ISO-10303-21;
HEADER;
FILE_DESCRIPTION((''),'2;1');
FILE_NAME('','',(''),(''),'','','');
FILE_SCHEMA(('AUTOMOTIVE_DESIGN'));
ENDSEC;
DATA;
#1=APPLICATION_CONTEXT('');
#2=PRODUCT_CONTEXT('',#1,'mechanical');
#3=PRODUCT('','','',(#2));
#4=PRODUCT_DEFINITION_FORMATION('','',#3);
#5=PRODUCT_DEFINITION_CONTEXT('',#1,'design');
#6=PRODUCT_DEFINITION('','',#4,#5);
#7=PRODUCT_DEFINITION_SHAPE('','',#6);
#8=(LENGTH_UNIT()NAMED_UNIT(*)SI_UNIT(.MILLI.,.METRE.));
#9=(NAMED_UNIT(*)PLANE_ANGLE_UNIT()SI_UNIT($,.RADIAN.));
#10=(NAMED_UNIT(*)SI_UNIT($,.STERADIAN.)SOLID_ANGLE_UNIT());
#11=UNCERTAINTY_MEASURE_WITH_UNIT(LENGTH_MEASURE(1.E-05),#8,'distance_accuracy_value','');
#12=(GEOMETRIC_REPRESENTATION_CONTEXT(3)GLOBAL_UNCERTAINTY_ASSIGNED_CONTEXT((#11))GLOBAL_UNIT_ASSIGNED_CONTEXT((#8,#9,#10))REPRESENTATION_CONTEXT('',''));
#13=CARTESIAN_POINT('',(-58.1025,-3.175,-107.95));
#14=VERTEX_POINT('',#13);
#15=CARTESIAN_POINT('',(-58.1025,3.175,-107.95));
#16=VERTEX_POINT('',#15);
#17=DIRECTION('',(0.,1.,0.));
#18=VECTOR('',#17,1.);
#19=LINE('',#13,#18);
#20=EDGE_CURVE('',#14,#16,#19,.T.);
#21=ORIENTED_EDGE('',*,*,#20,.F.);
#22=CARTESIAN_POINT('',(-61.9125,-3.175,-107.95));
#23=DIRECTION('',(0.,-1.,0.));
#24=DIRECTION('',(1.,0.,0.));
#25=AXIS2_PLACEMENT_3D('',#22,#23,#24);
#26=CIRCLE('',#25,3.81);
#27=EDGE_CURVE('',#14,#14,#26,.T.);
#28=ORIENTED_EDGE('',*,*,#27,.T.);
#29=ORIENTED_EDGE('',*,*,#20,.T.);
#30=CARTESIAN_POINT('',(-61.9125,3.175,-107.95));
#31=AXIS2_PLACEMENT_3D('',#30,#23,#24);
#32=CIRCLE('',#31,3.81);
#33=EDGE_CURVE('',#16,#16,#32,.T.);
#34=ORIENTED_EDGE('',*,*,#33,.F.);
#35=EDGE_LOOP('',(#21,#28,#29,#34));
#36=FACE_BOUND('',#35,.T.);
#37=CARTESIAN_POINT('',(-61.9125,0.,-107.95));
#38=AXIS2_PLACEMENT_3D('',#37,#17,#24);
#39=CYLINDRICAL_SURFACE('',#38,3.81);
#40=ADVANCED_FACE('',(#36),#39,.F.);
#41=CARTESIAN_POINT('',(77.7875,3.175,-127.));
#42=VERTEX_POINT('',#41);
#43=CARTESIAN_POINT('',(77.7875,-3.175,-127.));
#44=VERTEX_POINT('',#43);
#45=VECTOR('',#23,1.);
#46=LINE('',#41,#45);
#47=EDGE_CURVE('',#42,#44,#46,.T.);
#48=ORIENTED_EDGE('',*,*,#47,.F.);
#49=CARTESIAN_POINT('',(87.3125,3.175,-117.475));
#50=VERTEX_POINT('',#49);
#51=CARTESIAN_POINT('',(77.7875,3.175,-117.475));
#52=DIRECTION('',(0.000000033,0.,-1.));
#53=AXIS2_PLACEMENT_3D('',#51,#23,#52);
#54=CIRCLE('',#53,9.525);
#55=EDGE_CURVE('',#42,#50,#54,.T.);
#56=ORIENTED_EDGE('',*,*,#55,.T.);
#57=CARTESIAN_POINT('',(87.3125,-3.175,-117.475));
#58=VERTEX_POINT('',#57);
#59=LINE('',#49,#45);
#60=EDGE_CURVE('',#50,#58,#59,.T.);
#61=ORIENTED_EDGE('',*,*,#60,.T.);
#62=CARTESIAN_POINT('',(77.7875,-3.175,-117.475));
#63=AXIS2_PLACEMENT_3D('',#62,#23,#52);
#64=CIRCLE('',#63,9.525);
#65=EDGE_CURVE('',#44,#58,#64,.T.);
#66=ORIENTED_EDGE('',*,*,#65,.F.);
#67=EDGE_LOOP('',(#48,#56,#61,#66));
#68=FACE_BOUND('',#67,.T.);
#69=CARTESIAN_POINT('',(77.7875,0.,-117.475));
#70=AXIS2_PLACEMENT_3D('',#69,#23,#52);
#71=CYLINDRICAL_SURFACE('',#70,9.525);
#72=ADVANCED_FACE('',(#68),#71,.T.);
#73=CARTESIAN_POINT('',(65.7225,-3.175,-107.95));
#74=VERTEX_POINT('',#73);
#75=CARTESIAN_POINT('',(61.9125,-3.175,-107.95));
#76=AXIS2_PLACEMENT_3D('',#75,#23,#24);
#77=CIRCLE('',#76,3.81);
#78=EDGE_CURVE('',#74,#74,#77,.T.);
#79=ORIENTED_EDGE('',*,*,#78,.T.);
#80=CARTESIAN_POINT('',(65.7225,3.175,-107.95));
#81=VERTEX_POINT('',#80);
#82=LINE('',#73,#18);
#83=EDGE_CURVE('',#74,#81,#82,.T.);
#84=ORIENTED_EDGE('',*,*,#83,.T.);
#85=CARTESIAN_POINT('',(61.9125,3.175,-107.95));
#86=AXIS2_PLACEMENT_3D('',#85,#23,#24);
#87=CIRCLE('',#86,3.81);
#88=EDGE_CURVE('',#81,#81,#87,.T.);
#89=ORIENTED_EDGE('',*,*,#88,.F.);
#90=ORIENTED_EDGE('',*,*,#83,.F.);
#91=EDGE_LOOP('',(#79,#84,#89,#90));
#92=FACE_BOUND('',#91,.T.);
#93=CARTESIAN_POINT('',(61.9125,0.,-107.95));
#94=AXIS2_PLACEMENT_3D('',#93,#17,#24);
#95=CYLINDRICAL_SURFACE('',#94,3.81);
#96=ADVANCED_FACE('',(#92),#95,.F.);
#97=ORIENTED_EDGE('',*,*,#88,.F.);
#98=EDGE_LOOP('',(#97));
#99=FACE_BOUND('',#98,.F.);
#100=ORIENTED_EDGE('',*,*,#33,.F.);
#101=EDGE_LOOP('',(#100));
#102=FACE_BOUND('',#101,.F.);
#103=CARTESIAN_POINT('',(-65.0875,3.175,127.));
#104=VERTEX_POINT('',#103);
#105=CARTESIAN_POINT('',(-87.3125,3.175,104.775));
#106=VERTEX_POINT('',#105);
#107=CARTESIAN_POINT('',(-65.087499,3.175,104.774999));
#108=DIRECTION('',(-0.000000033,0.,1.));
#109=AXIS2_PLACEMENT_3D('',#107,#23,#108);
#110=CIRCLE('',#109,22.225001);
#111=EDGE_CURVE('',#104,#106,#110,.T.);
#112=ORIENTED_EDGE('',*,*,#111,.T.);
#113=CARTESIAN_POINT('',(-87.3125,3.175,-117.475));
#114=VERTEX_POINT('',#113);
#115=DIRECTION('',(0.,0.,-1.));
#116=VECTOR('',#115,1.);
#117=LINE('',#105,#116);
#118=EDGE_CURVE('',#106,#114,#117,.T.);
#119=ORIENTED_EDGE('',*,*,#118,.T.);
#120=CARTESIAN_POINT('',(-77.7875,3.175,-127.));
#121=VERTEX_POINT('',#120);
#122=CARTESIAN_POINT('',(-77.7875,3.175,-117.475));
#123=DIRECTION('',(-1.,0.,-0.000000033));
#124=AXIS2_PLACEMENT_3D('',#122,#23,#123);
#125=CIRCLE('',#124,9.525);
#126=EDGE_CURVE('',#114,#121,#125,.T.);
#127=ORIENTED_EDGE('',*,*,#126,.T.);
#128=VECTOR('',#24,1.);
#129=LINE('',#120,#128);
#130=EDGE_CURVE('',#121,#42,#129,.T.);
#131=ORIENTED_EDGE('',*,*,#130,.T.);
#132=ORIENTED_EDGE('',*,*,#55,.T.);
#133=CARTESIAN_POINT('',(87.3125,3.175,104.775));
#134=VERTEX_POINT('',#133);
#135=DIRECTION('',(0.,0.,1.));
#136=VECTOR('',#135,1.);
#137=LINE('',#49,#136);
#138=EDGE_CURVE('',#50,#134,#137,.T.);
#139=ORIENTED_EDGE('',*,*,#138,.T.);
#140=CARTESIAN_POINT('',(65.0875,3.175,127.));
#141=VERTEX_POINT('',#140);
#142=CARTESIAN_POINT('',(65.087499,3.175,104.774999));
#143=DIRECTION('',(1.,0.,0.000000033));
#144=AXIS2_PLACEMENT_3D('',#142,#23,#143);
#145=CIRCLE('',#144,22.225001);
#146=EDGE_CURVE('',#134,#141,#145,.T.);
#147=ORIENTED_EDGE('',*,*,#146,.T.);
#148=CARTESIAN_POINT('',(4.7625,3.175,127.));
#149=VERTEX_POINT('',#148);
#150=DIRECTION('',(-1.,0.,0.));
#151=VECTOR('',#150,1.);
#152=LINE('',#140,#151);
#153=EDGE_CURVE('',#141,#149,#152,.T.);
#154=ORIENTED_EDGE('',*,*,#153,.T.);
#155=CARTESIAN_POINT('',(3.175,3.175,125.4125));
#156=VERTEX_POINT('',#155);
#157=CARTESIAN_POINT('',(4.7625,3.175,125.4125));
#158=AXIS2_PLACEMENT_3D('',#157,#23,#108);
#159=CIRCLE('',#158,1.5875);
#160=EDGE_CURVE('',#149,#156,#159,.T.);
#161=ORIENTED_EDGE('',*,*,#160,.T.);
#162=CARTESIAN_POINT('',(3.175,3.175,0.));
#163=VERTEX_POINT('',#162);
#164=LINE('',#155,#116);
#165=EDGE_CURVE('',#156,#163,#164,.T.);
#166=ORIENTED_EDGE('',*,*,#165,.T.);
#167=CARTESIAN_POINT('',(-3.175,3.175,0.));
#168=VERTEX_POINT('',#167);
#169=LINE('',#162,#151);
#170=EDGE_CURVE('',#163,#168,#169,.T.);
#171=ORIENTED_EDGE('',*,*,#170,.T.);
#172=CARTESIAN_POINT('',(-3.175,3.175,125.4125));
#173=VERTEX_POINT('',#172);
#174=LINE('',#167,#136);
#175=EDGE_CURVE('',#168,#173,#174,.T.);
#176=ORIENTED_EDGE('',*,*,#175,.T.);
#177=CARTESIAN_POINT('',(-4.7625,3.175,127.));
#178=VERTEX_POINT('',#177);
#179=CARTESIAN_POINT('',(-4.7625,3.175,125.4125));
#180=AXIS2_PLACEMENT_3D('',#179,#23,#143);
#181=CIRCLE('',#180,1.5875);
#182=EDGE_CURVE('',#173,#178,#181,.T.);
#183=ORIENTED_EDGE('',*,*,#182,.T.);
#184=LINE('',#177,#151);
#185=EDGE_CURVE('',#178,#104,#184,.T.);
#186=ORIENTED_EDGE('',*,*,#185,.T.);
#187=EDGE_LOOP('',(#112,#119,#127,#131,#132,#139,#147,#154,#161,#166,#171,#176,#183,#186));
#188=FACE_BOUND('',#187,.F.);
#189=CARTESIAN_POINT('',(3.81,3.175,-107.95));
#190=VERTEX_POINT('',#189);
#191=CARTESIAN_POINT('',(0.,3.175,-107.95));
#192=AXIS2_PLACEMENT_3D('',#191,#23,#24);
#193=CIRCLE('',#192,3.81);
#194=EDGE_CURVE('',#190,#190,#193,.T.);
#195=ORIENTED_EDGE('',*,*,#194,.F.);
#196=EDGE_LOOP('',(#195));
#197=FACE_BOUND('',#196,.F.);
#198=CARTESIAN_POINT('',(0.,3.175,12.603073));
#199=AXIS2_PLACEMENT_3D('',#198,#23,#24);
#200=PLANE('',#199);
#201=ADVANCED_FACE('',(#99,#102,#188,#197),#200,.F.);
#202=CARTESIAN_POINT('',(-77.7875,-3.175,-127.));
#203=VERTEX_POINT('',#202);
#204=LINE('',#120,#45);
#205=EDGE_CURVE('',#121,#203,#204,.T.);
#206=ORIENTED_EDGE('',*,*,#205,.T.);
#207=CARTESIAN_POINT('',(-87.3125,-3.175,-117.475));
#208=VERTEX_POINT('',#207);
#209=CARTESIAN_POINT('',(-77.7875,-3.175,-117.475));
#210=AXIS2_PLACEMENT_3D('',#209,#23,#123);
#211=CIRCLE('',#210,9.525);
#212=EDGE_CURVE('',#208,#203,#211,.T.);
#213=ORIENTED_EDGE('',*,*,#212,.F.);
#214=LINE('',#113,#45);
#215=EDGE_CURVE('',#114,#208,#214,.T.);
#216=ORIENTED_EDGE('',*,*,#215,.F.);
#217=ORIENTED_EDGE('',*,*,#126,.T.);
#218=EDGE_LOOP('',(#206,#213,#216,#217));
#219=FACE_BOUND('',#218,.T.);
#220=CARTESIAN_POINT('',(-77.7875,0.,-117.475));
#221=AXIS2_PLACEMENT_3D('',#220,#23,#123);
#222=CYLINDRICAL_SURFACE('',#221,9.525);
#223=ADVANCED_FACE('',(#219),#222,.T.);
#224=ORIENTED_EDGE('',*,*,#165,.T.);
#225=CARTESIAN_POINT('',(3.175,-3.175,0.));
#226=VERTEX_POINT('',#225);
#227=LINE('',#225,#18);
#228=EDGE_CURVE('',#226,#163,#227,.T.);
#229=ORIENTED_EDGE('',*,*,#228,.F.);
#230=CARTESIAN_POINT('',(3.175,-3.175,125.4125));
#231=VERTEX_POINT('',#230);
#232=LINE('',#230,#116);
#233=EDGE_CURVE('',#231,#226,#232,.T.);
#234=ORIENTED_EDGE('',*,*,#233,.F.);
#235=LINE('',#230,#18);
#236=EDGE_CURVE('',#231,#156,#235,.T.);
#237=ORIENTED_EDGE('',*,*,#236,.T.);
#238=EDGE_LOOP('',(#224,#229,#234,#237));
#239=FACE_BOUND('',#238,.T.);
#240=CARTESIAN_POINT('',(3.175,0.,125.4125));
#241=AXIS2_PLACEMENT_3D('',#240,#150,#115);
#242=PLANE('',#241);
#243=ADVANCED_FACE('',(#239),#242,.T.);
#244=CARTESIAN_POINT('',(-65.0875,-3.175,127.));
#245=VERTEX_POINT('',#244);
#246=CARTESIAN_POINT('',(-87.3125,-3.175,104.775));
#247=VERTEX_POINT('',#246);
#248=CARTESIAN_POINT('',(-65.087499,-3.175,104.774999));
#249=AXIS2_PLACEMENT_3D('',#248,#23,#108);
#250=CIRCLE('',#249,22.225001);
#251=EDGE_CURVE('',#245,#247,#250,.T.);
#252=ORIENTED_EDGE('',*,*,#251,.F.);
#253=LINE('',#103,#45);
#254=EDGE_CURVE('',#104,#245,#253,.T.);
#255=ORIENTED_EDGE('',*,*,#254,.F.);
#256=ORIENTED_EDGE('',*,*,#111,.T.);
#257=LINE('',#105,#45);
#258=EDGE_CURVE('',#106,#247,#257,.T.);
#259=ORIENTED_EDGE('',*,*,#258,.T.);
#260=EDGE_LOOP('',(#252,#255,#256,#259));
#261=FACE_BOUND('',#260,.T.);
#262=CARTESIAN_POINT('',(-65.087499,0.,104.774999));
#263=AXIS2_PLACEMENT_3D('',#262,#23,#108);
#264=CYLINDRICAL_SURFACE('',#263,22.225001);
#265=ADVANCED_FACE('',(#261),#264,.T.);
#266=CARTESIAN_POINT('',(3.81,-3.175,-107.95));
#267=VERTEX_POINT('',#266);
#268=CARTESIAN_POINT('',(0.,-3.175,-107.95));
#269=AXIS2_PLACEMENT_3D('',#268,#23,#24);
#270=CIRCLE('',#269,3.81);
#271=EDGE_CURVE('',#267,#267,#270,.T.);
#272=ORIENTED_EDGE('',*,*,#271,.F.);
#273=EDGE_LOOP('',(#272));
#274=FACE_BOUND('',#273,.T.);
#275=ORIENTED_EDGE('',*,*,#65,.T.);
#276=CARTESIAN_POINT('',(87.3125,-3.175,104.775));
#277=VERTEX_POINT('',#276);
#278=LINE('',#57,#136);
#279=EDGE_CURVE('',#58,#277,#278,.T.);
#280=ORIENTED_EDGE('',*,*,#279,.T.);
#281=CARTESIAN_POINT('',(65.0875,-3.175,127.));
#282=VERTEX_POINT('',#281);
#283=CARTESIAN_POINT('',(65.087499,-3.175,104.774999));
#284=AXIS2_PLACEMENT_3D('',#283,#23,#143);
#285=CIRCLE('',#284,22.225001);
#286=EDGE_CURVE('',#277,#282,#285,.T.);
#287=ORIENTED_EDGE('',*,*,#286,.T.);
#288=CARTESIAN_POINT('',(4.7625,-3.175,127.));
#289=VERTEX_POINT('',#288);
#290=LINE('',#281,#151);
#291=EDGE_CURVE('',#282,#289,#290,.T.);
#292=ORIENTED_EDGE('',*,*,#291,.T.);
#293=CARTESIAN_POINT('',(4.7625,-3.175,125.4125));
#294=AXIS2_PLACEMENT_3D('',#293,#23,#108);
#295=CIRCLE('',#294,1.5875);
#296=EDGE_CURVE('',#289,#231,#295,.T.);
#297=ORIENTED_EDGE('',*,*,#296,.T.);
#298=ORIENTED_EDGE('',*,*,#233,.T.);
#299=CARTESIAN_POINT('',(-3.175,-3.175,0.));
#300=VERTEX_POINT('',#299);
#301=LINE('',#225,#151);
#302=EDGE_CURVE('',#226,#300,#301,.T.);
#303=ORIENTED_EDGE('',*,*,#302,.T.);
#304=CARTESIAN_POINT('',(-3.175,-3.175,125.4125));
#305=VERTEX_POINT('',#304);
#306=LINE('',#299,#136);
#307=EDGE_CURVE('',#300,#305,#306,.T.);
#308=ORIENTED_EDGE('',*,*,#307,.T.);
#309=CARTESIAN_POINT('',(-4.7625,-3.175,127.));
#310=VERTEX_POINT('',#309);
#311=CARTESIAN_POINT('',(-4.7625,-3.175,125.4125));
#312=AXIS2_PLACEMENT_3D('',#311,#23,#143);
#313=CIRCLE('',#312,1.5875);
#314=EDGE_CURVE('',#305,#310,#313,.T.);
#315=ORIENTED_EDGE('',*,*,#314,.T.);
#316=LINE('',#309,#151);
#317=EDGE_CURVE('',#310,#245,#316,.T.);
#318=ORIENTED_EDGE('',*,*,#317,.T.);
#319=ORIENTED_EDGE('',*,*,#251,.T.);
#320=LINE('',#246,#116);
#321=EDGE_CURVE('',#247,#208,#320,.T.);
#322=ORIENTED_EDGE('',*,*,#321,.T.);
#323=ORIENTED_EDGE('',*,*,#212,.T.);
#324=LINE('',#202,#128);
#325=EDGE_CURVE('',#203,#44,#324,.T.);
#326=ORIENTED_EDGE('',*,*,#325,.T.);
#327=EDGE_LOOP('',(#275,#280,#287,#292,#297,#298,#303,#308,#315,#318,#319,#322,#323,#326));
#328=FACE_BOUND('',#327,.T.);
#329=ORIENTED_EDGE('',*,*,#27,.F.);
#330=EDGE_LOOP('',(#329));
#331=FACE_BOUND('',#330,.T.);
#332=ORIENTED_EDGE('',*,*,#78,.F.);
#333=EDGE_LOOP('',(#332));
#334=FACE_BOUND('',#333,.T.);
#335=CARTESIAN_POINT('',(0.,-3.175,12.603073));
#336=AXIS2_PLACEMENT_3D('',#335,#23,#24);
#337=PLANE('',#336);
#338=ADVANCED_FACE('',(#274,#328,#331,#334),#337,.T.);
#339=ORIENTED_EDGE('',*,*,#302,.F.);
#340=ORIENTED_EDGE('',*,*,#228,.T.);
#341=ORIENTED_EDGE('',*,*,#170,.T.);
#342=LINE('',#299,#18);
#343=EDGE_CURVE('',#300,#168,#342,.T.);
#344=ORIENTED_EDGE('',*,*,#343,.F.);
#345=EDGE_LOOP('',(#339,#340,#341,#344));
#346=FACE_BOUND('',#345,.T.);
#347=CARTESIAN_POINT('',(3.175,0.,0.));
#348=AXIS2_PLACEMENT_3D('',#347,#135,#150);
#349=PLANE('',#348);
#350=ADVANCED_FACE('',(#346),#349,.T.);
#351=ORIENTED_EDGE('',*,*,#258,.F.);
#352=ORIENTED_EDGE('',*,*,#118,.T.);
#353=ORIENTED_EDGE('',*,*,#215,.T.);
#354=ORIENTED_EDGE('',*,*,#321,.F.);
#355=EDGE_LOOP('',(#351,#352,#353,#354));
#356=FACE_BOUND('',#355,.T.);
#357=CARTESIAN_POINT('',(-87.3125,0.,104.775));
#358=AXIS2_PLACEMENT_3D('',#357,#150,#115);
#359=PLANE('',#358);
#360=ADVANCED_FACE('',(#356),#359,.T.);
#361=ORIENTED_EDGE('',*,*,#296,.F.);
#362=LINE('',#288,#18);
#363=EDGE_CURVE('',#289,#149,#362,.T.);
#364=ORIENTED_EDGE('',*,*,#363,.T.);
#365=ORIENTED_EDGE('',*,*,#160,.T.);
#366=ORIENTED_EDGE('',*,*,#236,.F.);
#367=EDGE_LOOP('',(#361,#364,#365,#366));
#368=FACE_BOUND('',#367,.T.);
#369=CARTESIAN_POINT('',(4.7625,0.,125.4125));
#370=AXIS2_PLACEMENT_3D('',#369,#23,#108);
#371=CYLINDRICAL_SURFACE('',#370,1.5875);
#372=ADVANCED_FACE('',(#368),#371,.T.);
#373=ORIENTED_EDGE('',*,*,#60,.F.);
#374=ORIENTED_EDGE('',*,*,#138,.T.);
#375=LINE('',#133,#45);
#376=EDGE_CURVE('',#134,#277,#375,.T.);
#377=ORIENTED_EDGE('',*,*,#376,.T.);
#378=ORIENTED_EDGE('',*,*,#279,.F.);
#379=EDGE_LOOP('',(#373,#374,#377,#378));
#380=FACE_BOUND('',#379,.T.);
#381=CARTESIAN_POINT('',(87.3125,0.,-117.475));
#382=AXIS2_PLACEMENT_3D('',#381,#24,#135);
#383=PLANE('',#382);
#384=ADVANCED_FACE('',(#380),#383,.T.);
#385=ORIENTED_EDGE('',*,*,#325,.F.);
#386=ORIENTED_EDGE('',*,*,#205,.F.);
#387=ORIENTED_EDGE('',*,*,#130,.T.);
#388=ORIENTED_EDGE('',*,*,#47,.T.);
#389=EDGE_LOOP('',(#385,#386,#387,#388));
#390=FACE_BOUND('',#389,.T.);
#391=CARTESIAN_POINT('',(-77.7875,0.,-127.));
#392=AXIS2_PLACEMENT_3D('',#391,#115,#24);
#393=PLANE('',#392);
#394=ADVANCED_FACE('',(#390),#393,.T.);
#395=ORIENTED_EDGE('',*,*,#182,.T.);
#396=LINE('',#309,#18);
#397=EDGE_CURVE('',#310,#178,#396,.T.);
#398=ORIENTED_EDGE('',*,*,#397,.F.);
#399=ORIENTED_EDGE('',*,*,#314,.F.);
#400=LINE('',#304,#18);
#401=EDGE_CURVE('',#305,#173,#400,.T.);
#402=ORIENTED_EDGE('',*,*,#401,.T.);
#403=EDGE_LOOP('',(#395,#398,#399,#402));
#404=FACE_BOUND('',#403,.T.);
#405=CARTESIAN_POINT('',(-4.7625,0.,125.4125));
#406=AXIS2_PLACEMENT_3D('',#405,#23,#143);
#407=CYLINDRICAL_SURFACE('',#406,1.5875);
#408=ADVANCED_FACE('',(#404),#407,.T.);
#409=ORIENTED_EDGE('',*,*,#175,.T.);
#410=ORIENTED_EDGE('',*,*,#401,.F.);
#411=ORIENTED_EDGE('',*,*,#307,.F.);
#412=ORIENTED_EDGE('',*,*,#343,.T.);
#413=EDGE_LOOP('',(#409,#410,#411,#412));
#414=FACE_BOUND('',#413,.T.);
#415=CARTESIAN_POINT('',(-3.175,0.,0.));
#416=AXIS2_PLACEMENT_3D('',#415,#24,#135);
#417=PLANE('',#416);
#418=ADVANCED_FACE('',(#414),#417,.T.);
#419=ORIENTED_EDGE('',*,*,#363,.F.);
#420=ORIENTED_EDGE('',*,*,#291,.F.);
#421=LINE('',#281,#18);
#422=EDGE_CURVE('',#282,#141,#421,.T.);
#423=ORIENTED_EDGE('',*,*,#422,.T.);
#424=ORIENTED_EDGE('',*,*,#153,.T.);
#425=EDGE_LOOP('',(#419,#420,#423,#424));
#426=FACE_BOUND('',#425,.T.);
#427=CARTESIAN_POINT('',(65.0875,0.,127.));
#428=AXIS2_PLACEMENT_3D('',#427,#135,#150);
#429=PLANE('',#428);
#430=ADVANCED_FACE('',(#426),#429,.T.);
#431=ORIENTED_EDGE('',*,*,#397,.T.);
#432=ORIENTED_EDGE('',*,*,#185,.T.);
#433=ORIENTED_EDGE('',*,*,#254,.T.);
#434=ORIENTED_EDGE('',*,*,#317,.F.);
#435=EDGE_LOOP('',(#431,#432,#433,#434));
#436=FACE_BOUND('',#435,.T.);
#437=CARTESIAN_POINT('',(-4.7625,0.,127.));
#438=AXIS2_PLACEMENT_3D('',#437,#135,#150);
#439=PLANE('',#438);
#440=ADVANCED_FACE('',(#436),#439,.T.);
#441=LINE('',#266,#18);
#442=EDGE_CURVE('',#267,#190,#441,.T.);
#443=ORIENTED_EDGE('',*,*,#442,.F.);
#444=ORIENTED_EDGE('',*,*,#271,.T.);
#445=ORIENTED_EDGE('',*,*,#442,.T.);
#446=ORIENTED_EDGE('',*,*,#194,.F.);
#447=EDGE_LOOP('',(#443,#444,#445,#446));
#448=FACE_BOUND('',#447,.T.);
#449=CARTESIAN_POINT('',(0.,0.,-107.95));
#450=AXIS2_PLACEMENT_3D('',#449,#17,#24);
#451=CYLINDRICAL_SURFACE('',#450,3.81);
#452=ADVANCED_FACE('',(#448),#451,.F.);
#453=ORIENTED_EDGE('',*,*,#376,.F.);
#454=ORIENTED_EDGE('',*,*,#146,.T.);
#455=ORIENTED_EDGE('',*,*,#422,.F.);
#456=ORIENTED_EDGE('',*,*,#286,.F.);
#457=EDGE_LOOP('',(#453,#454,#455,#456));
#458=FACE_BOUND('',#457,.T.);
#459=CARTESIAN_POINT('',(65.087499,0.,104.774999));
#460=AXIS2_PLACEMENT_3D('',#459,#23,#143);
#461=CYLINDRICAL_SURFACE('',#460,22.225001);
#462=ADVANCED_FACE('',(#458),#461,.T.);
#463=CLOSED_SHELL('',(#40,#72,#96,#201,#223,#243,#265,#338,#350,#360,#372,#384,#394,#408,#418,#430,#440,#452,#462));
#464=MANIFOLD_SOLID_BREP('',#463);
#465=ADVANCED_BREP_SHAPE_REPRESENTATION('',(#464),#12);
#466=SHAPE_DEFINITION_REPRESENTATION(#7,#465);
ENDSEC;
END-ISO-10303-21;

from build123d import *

# Parameters (mm, degrees)
F0_R     = 3.81
F1_DEPTH = 3.175


with BuildPart() as f1:
    # F0 (on Front) → F1 (new body, symmetric)
    with BuildSketch(Plane.XZ):
        with BuildLine():
            Line((-4.7625, 127), (-65.0875, 127))
            ThreePointArc((-65.0875, 127), (-80.802948, 120.490448), (-87.3125, 104.775))
            Line((-87.3125, 104.775), (-87.3125, -117.475))
            ThreePointArc((-87.3125, -117.475), (-84.522692, -124.210192), (-77.7875, -127))
            Line((-77.7875, -127), (77.7875, -127))
            ThreePointArc((77.7875, -127), (84.522692, -124.210192), (87.3125, -117.475))
            Line((87.3125, -117.475), (87.3125, 104.775))
            ThreePointArc((87.3125, 104.775), (80.802948, 120.490448), (65.0875, 127))
            Line((65.0875, 127), (4.7625, 127))
            ThreePointArc((4.7625, 127), (3.639968, 126.535032), (3.175, 125.4125))
            Line((3.175, 125.4125), (3.175, 0))
            Line((3.175, 0), (0, 0))
            Line((0, 0), (-3.175, 0))
            Line((-3.175, 0), (-3.175, 125.4125))
            ThreePointArc((-3.175, 125.4125), (-3.639968, 126.535032), (-4.7625, 127))
        make_face()
        with Locations((-61.9125, -107.95)):
            Circle(F0_R, mode=Mode.SUBTRACT)
        with Locations((0, -107.95)):
            Circle(F0_R, mode=Mode.SUBTRACT)
        with Locations((61.9125, -107.95)):
            Circle(F0_R, mode=Mode.SUBTRACT)
    extrude(amount=F1_DEPTH, both=True)


solid = f1.part
